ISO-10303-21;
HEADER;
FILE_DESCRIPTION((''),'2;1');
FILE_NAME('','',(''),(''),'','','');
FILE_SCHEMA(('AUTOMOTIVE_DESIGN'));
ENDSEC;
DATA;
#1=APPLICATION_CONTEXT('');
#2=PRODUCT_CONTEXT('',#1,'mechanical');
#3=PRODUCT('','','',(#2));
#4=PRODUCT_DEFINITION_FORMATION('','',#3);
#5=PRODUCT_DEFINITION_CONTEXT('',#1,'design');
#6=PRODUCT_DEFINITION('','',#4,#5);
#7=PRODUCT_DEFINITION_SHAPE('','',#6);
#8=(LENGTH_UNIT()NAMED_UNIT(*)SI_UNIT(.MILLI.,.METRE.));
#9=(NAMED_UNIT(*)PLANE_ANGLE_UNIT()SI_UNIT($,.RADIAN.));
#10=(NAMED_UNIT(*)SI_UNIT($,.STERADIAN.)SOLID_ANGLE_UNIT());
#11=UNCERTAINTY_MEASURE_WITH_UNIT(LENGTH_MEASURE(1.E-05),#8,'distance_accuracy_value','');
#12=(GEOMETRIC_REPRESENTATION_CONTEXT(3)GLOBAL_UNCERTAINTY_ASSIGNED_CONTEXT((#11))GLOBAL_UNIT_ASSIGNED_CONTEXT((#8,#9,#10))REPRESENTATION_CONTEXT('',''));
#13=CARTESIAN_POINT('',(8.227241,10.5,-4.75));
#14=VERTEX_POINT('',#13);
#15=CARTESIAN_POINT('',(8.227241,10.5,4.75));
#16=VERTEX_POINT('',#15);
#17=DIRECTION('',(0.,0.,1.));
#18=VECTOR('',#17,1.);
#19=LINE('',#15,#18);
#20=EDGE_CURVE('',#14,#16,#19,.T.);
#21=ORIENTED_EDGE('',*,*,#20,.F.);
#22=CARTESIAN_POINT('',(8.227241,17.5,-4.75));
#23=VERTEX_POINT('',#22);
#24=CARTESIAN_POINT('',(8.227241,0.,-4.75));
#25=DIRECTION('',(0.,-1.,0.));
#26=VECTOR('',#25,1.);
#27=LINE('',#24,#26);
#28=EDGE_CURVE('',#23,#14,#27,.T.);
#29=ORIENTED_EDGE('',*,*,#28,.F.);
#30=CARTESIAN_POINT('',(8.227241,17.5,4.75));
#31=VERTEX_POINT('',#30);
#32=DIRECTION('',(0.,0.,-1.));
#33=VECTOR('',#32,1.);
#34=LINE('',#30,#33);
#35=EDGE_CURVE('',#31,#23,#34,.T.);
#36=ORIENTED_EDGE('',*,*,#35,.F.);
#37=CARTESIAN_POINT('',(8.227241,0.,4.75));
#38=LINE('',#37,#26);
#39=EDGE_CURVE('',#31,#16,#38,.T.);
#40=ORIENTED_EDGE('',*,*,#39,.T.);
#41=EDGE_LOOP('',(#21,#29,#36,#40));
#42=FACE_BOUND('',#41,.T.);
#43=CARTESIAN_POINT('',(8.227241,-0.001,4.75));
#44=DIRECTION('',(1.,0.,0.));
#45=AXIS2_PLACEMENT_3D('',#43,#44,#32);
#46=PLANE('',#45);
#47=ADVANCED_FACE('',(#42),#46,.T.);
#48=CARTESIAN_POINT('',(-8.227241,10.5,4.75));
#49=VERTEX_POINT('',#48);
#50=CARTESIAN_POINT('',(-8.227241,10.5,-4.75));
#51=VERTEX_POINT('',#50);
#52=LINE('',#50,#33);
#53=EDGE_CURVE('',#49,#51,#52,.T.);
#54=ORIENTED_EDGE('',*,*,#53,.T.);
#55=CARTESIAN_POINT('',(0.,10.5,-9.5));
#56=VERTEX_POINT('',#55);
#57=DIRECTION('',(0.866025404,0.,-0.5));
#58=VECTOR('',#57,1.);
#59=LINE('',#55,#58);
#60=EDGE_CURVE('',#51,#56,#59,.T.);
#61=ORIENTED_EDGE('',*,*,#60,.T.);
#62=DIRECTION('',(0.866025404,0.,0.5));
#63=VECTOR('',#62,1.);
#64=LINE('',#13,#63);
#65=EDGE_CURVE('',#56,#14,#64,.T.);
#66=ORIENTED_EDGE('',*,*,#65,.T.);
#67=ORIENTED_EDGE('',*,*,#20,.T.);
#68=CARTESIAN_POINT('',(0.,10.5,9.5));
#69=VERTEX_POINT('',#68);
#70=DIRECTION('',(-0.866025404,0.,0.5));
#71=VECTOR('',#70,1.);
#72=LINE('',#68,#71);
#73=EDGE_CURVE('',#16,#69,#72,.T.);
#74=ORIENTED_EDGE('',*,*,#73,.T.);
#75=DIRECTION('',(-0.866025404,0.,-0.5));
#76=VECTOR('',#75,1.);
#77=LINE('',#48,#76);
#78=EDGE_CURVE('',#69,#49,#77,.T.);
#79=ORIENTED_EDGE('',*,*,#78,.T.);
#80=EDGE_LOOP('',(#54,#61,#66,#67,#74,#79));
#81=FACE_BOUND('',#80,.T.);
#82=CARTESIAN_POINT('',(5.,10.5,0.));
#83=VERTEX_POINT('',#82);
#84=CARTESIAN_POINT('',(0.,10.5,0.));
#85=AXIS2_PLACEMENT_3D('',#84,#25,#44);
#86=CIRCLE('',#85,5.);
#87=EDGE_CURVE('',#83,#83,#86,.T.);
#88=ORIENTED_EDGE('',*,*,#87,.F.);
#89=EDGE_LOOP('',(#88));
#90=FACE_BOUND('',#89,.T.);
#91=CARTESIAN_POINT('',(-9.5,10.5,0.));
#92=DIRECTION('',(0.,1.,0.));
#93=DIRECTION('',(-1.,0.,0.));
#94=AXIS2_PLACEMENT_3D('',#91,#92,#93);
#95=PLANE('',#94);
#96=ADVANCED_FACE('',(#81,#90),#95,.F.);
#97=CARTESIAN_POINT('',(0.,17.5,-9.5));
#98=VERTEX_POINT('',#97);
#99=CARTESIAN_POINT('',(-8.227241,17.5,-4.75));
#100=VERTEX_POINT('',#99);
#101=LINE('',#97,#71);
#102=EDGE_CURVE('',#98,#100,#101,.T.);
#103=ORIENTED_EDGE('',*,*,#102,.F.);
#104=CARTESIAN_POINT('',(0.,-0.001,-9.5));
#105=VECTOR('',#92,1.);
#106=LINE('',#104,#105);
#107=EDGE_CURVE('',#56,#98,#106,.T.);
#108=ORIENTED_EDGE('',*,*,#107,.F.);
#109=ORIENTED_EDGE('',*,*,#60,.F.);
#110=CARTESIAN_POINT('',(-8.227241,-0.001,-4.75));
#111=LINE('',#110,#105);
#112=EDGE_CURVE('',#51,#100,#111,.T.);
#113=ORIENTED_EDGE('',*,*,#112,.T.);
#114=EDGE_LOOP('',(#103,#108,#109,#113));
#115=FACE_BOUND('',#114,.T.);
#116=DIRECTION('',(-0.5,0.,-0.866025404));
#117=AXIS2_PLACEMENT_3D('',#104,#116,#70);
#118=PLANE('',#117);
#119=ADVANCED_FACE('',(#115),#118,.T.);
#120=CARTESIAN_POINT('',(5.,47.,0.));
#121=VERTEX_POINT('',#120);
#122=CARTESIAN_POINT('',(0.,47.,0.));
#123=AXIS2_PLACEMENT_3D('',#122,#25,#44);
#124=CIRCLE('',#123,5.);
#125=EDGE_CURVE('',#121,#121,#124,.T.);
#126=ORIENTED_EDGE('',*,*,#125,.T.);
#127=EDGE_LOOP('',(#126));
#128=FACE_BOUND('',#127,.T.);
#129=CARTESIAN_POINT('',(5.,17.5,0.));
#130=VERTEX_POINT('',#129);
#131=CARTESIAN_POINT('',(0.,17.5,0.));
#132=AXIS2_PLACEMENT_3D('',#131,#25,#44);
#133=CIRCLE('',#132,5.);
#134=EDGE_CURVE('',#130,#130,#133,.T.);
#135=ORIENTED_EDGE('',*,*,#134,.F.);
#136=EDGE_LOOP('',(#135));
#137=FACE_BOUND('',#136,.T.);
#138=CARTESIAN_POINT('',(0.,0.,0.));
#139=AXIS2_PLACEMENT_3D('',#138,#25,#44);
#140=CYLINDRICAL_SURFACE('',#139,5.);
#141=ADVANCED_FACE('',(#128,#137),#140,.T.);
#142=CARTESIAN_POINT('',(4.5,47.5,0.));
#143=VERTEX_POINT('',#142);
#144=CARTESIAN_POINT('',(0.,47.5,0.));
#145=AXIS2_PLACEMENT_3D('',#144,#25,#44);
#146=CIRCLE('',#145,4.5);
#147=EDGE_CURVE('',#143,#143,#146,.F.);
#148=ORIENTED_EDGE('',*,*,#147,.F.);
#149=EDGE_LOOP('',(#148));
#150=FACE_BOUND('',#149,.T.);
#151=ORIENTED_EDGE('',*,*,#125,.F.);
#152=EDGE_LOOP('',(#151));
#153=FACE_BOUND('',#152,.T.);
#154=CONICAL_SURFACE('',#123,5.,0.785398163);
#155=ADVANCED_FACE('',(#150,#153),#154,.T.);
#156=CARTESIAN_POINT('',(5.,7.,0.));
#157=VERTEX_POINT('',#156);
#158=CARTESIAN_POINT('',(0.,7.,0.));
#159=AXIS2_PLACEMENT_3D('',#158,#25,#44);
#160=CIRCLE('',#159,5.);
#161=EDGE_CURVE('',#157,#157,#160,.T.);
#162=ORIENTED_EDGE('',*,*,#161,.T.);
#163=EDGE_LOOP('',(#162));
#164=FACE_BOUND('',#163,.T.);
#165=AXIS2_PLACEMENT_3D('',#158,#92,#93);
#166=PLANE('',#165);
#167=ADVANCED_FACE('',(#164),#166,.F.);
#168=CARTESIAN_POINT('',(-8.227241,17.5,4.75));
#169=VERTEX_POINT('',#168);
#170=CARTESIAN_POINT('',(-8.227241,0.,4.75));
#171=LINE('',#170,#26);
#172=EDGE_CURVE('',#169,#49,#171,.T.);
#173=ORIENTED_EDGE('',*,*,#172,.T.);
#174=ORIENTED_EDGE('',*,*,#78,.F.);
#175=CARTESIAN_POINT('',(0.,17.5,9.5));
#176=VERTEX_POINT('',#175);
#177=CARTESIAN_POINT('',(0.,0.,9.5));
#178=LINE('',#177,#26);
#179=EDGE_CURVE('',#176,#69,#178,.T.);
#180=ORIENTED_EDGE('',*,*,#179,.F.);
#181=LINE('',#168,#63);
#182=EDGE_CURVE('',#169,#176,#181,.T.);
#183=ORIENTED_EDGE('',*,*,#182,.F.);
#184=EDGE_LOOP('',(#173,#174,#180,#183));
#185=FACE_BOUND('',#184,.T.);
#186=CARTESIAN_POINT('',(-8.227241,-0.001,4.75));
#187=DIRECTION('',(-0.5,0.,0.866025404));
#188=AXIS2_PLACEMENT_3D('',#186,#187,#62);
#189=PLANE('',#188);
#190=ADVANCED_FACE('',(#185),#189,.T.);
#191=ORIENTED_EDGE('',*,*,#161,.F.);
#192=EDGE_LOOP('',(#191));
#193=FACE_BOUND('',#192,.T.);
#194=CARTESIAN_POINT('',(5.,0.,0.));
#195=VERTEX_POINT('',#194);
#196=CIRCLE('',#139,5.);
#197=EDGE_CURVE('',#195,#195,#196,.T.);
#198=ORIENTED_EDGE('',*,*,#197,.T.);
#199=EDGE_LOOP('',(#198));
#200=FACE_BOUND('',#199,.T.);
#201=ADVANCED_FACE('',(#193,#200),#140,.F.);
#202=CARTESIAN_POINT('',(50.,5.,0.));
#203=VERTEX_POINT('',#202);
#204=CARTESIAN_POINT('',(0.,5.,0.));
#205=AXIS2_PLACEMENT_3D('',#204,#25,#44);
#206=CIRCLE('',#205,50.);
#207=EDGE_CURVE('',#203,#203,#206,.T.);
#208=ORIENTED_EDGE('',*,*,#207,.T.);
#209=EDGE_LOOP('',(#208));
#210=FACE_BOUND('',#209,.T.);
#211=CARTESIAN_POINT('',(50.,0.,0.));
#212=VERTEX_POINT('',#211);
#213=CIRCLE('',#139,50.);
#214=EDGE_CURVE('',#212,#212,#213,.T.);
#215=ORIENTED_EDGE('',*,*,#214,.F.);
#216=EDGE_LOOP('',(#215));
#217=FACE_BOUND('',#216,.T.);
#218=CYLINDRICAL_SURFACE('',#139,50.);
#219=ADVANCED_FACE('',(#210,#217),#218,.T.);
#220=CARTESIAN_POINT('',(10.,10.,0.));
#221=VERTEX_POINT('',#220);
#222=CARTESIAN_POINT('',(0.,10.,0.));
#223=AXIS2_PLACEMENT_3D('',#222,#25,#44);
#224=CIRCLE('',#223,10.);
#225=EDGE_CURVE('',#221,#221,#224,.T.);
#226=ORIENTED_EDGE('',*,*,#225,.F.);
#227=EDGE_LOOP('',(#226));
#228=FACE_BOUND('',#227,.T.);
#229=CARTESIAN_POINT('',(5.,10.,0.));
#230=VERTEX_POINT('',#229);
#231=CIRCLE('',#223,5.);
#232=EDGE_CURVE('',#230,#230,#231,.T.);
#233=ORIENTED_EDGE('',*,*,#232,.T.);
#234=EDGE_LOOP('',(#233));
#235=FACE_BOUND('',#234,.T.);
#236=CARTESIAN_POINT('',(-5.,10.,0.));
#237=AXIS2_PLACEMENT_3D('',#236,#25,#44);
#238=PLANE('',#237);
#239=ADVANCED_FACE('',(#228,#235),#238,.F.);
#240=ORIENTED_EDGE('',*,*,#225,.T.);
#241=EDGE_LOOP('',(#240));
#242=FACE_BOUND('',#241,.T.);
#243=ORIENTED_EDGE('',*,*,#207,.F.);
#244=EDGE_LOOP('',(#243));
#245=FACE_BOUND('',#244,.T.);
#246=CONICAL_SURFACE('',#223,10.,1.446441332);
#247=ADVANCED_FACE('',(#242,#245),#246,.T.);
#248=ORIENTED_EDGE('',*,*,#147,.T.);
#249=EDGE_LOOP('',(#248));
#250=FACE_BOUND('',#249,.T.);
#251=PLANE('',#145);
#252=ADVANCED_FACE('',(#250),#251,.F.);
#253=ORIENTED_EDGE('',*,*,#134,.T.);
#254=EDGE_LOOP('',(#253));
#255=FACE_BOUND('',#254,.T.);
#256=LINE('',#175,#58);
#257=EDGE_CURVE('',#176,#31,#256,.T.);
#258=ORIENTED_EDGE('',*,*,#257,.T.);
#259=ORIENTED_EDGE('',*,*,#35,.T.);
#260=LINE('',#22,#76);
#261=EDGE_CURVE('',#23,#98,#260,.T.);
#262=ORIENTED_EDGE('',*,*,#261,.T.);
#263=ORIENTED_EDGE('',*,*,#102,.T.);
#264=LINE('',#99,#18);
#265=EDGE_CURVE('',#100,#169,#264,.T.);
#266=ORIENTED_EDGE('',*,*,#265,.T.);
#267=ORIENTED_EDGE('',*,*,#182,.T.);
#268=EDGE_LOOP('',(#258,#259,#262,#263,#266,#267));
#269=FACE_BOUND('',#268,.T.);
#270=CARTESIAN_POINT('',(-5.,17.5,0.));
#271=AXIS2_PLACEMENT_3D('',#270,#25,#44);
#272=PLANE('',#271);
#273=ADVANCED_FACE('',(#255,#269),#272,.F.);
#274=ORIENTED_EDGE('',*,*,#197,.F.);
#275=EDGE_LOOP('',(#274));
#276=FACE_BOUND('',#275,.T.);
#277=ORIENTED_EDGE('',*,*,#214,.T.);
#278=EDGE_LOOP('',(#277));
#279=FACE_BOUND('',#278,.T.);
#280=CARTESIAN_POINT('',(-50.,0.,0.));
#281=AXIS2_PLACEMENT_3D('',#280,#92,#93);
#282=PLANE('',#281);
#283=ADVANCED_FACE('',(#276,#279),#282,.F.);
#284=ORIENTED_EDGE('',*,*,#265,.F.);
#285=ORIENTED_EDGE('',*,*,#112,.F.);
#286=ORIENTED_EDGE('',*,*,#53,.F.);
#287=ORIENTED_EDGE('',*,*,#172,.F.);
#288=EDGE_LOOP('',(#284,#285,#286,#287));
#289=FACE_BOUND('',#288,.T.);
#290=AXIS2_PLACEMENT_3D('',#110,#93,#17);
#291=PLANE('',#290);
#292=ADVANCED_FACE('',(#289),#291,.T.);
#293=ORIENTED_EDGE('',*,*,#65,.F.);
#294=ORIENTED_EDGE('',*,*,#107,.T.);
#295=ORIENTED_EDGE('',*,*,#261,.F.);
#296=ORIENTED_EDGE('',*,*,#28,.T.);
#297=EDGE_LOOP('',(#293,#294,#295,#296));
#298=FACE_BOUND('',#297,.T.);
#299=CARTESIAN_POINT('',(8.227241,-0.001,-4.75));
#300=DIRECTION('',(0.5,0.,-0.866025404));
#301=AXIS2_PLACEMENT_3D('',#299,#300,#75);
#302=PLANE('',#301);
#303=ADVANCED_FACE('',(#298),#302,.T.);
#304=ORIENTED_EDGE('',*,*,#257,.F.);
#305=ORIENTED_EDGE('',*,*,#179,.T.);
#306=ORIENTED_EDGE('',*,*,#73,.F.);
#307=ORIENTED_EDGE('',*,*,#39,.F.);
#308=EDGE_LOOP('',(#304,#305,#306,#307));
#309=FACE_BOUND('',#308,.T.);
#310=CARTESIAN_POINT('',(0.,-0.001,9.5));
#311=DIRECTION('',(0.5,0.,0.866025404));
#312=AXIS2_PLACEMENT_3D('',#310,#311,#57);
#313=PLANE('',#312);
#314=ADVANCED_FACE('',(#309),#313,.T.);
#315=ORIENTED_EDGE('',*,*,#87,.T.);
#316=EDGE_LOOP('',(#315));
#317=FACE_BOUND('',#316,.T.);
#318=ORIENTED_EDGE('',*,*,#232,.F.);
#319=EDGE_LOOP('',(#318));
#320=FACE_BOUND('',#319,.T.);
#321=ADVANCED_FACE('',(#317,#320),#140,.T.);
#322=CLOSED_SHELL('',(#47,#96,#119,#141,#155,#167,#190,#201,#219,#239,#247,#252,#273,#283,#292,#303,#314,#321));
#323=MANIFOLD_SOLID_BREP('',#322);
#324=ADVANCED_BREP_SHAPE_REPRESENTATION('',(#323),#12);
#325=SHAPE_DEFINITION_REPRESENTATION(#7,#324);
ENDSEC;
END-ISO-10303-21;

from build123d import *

# Parameters (mm, degrees)
CHAMFER_1_SIZE      = 0.5
CUT_EXTRUDE_START   = -7
SKETCH_2_R          = 12.139773641
CUT_EXTRUDE_1_DEPTH = 7


with BuildPart() as part:
    # Эскиз1 → Повернуть1 (revolve)
    with BuildSketch(Plane.XY, mode=Mode.PRIVATE) as revolve_1_sk:
        Polygon((0, 47.5), (-5, 47.5), (-5, 17.5), (-9.5, 17.5), (-9.5, 10.5), (-5, 10.5), (-5, 10), (-10, 10), (-50, 5), (-50, 0), (-5, 0), (-5, 7), (0, 7), align=None)
    revolve(revolve_1_sk.sketch.rotate(Axis((0, 0, 0), (0, 1, 0)), 180), axis=Axis((0, 0, 0), (0, 1, 0)))  # turned: the seam where the file's is

    # Фаска1
    chamfer_1_edges = [part.edges().sort_by_distance(p)[0] for p in [
        (-5, 47.5, 0),
    ]]
    chamfer(chamfer_1_edges, length=CHAMFER_1_SIZE)

    # Эскиз2 → Вырез-Вытянуть1 (cut)
    with BuildSketch(Plane(origin=(0, 17.5, 0), x_dir=(1, 0, 0), z_dir=(0, 1, 0)).offset(CUT_EXTRUDE_START)):
        Circle(SKETCH_2_R)
        Polygon((0, 9.5), (-8.227241336, 4.75), (-8.227241336, -4.75), (0, -9.5), (8.227241336, -4.75), (8.227241336, 4.75), align=None, mode=Mode.SUBTRACT)
    extrude(amount=CUT_EXTRUDE_1_DEPTH, mode=Mode.SUBTRACT)


solid = part.part
